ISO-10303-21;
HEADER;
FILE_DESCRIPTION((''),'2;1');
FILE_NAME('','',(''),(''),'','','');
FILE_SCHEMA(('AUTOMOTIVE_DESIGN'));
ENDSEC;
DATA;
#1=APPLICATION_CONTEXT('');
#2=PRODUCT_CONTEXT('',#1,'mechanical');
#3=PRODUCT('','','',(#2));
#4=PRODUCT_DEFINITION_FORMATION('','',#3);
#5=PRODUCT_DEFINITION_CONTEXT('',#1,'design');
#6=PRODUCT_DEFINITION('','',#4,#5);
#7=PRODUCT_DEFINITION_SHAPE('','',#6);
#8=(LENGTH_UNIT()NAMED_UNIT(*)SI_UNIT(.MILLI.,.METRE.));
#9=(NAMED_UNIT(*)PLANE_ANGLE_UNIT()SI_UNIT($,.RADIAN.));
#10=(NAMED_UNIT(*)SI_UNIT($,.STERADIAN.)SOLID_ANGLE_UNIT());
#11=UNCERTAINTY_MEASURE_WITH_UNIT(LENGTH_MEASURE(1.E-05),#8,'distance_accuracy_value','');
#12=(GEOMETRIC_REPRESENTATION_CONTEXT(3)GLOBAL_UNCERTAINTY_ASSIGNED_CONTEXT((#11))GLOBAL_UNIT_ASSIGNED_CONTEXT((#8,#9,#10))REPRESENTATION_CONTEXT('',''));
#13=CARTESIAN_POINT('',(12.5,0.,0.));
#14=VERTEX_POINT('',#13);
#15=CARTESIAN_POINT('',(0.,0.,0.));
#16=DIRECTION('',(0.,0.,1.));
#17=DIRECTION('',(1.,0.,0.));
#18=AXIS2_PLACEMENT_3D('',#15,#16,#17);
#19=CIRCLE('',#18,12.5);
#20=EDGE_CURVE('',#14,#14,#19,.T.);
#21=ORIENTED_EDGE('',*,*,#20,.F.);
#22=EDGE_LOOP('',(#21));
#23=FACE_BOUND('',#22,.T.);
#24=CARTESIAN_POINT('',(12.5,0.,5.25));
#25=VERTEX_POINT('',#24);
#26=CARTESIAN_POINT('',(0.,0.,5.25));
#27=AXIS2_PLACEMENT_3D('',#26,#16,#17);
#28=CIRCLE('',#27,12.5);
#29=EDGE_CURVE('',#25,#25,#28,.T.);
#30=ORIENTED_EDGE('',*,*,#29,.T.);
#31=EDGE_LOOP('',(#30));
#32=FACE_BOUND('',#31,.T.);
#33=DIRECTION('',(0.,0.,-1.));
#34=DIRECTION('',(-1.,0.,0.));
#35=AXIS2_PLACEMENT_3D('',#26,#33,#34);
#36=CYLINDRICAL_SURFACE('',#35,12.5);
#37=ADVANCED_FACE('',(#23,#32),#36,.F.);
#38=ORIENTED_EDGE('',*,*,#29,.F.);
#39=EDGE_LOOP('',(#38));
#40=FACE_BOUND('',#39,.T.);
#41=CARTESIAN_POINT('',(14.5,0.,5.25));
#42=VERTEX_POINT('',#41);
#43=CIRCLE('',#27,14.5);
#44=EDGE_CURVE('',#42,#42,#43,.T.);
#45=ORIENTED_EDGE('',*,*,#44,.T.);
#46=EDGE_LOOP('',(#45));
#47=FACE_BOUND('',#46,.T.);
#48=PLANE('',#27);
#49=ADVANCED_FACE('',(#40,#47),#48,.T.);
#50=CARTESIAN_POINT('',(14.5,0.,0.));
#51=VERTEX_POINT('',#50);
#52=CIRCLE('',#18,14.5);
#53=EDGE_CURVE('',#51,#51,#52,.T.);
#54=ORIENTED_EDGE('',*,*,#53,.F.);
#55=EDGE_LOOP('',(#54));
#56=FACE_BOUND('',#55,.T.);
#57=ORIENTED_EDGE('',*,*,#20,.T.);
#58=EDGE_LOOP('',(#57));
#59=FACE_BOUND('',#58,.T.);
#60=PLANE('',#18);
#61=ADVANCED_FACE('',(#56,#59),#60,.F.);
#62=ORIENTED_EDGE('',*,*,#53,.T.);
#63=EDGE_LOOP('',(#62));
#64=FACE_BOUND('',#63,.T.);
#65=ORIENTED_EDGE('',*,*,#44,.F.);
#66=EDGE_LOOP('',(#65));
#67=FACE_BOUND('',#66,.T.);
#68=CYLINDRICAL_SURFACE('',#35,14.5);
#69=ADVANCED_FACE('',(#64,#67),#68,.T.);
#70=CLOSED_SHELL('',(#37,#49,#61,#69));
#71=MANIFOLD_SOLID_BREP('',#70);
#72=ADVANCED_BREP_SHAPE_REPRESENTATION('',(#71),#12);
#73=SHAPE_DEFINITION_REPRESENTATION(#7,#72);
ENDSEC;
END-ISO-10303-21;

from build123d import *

# Parameters (mm, degrees)
ESQUISSE1_R        = 14.5
ESQUISSE1_R_2      = 12.5
BOSS_EXTRU_1_DEPTH = 5.25


with BuildPart() as part:
    # Esquisse1 → Boss.-Extru.1 (new body)
    with BuildSketch(Plane.XY):
        Circle(ESQUISSE1_R)
        Circle(ESQUISSE1_R_2, mode=Mode.SUBTRACT)
    extrude(amount=BOSS_EXTRU_1_DEPTH)


solid = part.part
